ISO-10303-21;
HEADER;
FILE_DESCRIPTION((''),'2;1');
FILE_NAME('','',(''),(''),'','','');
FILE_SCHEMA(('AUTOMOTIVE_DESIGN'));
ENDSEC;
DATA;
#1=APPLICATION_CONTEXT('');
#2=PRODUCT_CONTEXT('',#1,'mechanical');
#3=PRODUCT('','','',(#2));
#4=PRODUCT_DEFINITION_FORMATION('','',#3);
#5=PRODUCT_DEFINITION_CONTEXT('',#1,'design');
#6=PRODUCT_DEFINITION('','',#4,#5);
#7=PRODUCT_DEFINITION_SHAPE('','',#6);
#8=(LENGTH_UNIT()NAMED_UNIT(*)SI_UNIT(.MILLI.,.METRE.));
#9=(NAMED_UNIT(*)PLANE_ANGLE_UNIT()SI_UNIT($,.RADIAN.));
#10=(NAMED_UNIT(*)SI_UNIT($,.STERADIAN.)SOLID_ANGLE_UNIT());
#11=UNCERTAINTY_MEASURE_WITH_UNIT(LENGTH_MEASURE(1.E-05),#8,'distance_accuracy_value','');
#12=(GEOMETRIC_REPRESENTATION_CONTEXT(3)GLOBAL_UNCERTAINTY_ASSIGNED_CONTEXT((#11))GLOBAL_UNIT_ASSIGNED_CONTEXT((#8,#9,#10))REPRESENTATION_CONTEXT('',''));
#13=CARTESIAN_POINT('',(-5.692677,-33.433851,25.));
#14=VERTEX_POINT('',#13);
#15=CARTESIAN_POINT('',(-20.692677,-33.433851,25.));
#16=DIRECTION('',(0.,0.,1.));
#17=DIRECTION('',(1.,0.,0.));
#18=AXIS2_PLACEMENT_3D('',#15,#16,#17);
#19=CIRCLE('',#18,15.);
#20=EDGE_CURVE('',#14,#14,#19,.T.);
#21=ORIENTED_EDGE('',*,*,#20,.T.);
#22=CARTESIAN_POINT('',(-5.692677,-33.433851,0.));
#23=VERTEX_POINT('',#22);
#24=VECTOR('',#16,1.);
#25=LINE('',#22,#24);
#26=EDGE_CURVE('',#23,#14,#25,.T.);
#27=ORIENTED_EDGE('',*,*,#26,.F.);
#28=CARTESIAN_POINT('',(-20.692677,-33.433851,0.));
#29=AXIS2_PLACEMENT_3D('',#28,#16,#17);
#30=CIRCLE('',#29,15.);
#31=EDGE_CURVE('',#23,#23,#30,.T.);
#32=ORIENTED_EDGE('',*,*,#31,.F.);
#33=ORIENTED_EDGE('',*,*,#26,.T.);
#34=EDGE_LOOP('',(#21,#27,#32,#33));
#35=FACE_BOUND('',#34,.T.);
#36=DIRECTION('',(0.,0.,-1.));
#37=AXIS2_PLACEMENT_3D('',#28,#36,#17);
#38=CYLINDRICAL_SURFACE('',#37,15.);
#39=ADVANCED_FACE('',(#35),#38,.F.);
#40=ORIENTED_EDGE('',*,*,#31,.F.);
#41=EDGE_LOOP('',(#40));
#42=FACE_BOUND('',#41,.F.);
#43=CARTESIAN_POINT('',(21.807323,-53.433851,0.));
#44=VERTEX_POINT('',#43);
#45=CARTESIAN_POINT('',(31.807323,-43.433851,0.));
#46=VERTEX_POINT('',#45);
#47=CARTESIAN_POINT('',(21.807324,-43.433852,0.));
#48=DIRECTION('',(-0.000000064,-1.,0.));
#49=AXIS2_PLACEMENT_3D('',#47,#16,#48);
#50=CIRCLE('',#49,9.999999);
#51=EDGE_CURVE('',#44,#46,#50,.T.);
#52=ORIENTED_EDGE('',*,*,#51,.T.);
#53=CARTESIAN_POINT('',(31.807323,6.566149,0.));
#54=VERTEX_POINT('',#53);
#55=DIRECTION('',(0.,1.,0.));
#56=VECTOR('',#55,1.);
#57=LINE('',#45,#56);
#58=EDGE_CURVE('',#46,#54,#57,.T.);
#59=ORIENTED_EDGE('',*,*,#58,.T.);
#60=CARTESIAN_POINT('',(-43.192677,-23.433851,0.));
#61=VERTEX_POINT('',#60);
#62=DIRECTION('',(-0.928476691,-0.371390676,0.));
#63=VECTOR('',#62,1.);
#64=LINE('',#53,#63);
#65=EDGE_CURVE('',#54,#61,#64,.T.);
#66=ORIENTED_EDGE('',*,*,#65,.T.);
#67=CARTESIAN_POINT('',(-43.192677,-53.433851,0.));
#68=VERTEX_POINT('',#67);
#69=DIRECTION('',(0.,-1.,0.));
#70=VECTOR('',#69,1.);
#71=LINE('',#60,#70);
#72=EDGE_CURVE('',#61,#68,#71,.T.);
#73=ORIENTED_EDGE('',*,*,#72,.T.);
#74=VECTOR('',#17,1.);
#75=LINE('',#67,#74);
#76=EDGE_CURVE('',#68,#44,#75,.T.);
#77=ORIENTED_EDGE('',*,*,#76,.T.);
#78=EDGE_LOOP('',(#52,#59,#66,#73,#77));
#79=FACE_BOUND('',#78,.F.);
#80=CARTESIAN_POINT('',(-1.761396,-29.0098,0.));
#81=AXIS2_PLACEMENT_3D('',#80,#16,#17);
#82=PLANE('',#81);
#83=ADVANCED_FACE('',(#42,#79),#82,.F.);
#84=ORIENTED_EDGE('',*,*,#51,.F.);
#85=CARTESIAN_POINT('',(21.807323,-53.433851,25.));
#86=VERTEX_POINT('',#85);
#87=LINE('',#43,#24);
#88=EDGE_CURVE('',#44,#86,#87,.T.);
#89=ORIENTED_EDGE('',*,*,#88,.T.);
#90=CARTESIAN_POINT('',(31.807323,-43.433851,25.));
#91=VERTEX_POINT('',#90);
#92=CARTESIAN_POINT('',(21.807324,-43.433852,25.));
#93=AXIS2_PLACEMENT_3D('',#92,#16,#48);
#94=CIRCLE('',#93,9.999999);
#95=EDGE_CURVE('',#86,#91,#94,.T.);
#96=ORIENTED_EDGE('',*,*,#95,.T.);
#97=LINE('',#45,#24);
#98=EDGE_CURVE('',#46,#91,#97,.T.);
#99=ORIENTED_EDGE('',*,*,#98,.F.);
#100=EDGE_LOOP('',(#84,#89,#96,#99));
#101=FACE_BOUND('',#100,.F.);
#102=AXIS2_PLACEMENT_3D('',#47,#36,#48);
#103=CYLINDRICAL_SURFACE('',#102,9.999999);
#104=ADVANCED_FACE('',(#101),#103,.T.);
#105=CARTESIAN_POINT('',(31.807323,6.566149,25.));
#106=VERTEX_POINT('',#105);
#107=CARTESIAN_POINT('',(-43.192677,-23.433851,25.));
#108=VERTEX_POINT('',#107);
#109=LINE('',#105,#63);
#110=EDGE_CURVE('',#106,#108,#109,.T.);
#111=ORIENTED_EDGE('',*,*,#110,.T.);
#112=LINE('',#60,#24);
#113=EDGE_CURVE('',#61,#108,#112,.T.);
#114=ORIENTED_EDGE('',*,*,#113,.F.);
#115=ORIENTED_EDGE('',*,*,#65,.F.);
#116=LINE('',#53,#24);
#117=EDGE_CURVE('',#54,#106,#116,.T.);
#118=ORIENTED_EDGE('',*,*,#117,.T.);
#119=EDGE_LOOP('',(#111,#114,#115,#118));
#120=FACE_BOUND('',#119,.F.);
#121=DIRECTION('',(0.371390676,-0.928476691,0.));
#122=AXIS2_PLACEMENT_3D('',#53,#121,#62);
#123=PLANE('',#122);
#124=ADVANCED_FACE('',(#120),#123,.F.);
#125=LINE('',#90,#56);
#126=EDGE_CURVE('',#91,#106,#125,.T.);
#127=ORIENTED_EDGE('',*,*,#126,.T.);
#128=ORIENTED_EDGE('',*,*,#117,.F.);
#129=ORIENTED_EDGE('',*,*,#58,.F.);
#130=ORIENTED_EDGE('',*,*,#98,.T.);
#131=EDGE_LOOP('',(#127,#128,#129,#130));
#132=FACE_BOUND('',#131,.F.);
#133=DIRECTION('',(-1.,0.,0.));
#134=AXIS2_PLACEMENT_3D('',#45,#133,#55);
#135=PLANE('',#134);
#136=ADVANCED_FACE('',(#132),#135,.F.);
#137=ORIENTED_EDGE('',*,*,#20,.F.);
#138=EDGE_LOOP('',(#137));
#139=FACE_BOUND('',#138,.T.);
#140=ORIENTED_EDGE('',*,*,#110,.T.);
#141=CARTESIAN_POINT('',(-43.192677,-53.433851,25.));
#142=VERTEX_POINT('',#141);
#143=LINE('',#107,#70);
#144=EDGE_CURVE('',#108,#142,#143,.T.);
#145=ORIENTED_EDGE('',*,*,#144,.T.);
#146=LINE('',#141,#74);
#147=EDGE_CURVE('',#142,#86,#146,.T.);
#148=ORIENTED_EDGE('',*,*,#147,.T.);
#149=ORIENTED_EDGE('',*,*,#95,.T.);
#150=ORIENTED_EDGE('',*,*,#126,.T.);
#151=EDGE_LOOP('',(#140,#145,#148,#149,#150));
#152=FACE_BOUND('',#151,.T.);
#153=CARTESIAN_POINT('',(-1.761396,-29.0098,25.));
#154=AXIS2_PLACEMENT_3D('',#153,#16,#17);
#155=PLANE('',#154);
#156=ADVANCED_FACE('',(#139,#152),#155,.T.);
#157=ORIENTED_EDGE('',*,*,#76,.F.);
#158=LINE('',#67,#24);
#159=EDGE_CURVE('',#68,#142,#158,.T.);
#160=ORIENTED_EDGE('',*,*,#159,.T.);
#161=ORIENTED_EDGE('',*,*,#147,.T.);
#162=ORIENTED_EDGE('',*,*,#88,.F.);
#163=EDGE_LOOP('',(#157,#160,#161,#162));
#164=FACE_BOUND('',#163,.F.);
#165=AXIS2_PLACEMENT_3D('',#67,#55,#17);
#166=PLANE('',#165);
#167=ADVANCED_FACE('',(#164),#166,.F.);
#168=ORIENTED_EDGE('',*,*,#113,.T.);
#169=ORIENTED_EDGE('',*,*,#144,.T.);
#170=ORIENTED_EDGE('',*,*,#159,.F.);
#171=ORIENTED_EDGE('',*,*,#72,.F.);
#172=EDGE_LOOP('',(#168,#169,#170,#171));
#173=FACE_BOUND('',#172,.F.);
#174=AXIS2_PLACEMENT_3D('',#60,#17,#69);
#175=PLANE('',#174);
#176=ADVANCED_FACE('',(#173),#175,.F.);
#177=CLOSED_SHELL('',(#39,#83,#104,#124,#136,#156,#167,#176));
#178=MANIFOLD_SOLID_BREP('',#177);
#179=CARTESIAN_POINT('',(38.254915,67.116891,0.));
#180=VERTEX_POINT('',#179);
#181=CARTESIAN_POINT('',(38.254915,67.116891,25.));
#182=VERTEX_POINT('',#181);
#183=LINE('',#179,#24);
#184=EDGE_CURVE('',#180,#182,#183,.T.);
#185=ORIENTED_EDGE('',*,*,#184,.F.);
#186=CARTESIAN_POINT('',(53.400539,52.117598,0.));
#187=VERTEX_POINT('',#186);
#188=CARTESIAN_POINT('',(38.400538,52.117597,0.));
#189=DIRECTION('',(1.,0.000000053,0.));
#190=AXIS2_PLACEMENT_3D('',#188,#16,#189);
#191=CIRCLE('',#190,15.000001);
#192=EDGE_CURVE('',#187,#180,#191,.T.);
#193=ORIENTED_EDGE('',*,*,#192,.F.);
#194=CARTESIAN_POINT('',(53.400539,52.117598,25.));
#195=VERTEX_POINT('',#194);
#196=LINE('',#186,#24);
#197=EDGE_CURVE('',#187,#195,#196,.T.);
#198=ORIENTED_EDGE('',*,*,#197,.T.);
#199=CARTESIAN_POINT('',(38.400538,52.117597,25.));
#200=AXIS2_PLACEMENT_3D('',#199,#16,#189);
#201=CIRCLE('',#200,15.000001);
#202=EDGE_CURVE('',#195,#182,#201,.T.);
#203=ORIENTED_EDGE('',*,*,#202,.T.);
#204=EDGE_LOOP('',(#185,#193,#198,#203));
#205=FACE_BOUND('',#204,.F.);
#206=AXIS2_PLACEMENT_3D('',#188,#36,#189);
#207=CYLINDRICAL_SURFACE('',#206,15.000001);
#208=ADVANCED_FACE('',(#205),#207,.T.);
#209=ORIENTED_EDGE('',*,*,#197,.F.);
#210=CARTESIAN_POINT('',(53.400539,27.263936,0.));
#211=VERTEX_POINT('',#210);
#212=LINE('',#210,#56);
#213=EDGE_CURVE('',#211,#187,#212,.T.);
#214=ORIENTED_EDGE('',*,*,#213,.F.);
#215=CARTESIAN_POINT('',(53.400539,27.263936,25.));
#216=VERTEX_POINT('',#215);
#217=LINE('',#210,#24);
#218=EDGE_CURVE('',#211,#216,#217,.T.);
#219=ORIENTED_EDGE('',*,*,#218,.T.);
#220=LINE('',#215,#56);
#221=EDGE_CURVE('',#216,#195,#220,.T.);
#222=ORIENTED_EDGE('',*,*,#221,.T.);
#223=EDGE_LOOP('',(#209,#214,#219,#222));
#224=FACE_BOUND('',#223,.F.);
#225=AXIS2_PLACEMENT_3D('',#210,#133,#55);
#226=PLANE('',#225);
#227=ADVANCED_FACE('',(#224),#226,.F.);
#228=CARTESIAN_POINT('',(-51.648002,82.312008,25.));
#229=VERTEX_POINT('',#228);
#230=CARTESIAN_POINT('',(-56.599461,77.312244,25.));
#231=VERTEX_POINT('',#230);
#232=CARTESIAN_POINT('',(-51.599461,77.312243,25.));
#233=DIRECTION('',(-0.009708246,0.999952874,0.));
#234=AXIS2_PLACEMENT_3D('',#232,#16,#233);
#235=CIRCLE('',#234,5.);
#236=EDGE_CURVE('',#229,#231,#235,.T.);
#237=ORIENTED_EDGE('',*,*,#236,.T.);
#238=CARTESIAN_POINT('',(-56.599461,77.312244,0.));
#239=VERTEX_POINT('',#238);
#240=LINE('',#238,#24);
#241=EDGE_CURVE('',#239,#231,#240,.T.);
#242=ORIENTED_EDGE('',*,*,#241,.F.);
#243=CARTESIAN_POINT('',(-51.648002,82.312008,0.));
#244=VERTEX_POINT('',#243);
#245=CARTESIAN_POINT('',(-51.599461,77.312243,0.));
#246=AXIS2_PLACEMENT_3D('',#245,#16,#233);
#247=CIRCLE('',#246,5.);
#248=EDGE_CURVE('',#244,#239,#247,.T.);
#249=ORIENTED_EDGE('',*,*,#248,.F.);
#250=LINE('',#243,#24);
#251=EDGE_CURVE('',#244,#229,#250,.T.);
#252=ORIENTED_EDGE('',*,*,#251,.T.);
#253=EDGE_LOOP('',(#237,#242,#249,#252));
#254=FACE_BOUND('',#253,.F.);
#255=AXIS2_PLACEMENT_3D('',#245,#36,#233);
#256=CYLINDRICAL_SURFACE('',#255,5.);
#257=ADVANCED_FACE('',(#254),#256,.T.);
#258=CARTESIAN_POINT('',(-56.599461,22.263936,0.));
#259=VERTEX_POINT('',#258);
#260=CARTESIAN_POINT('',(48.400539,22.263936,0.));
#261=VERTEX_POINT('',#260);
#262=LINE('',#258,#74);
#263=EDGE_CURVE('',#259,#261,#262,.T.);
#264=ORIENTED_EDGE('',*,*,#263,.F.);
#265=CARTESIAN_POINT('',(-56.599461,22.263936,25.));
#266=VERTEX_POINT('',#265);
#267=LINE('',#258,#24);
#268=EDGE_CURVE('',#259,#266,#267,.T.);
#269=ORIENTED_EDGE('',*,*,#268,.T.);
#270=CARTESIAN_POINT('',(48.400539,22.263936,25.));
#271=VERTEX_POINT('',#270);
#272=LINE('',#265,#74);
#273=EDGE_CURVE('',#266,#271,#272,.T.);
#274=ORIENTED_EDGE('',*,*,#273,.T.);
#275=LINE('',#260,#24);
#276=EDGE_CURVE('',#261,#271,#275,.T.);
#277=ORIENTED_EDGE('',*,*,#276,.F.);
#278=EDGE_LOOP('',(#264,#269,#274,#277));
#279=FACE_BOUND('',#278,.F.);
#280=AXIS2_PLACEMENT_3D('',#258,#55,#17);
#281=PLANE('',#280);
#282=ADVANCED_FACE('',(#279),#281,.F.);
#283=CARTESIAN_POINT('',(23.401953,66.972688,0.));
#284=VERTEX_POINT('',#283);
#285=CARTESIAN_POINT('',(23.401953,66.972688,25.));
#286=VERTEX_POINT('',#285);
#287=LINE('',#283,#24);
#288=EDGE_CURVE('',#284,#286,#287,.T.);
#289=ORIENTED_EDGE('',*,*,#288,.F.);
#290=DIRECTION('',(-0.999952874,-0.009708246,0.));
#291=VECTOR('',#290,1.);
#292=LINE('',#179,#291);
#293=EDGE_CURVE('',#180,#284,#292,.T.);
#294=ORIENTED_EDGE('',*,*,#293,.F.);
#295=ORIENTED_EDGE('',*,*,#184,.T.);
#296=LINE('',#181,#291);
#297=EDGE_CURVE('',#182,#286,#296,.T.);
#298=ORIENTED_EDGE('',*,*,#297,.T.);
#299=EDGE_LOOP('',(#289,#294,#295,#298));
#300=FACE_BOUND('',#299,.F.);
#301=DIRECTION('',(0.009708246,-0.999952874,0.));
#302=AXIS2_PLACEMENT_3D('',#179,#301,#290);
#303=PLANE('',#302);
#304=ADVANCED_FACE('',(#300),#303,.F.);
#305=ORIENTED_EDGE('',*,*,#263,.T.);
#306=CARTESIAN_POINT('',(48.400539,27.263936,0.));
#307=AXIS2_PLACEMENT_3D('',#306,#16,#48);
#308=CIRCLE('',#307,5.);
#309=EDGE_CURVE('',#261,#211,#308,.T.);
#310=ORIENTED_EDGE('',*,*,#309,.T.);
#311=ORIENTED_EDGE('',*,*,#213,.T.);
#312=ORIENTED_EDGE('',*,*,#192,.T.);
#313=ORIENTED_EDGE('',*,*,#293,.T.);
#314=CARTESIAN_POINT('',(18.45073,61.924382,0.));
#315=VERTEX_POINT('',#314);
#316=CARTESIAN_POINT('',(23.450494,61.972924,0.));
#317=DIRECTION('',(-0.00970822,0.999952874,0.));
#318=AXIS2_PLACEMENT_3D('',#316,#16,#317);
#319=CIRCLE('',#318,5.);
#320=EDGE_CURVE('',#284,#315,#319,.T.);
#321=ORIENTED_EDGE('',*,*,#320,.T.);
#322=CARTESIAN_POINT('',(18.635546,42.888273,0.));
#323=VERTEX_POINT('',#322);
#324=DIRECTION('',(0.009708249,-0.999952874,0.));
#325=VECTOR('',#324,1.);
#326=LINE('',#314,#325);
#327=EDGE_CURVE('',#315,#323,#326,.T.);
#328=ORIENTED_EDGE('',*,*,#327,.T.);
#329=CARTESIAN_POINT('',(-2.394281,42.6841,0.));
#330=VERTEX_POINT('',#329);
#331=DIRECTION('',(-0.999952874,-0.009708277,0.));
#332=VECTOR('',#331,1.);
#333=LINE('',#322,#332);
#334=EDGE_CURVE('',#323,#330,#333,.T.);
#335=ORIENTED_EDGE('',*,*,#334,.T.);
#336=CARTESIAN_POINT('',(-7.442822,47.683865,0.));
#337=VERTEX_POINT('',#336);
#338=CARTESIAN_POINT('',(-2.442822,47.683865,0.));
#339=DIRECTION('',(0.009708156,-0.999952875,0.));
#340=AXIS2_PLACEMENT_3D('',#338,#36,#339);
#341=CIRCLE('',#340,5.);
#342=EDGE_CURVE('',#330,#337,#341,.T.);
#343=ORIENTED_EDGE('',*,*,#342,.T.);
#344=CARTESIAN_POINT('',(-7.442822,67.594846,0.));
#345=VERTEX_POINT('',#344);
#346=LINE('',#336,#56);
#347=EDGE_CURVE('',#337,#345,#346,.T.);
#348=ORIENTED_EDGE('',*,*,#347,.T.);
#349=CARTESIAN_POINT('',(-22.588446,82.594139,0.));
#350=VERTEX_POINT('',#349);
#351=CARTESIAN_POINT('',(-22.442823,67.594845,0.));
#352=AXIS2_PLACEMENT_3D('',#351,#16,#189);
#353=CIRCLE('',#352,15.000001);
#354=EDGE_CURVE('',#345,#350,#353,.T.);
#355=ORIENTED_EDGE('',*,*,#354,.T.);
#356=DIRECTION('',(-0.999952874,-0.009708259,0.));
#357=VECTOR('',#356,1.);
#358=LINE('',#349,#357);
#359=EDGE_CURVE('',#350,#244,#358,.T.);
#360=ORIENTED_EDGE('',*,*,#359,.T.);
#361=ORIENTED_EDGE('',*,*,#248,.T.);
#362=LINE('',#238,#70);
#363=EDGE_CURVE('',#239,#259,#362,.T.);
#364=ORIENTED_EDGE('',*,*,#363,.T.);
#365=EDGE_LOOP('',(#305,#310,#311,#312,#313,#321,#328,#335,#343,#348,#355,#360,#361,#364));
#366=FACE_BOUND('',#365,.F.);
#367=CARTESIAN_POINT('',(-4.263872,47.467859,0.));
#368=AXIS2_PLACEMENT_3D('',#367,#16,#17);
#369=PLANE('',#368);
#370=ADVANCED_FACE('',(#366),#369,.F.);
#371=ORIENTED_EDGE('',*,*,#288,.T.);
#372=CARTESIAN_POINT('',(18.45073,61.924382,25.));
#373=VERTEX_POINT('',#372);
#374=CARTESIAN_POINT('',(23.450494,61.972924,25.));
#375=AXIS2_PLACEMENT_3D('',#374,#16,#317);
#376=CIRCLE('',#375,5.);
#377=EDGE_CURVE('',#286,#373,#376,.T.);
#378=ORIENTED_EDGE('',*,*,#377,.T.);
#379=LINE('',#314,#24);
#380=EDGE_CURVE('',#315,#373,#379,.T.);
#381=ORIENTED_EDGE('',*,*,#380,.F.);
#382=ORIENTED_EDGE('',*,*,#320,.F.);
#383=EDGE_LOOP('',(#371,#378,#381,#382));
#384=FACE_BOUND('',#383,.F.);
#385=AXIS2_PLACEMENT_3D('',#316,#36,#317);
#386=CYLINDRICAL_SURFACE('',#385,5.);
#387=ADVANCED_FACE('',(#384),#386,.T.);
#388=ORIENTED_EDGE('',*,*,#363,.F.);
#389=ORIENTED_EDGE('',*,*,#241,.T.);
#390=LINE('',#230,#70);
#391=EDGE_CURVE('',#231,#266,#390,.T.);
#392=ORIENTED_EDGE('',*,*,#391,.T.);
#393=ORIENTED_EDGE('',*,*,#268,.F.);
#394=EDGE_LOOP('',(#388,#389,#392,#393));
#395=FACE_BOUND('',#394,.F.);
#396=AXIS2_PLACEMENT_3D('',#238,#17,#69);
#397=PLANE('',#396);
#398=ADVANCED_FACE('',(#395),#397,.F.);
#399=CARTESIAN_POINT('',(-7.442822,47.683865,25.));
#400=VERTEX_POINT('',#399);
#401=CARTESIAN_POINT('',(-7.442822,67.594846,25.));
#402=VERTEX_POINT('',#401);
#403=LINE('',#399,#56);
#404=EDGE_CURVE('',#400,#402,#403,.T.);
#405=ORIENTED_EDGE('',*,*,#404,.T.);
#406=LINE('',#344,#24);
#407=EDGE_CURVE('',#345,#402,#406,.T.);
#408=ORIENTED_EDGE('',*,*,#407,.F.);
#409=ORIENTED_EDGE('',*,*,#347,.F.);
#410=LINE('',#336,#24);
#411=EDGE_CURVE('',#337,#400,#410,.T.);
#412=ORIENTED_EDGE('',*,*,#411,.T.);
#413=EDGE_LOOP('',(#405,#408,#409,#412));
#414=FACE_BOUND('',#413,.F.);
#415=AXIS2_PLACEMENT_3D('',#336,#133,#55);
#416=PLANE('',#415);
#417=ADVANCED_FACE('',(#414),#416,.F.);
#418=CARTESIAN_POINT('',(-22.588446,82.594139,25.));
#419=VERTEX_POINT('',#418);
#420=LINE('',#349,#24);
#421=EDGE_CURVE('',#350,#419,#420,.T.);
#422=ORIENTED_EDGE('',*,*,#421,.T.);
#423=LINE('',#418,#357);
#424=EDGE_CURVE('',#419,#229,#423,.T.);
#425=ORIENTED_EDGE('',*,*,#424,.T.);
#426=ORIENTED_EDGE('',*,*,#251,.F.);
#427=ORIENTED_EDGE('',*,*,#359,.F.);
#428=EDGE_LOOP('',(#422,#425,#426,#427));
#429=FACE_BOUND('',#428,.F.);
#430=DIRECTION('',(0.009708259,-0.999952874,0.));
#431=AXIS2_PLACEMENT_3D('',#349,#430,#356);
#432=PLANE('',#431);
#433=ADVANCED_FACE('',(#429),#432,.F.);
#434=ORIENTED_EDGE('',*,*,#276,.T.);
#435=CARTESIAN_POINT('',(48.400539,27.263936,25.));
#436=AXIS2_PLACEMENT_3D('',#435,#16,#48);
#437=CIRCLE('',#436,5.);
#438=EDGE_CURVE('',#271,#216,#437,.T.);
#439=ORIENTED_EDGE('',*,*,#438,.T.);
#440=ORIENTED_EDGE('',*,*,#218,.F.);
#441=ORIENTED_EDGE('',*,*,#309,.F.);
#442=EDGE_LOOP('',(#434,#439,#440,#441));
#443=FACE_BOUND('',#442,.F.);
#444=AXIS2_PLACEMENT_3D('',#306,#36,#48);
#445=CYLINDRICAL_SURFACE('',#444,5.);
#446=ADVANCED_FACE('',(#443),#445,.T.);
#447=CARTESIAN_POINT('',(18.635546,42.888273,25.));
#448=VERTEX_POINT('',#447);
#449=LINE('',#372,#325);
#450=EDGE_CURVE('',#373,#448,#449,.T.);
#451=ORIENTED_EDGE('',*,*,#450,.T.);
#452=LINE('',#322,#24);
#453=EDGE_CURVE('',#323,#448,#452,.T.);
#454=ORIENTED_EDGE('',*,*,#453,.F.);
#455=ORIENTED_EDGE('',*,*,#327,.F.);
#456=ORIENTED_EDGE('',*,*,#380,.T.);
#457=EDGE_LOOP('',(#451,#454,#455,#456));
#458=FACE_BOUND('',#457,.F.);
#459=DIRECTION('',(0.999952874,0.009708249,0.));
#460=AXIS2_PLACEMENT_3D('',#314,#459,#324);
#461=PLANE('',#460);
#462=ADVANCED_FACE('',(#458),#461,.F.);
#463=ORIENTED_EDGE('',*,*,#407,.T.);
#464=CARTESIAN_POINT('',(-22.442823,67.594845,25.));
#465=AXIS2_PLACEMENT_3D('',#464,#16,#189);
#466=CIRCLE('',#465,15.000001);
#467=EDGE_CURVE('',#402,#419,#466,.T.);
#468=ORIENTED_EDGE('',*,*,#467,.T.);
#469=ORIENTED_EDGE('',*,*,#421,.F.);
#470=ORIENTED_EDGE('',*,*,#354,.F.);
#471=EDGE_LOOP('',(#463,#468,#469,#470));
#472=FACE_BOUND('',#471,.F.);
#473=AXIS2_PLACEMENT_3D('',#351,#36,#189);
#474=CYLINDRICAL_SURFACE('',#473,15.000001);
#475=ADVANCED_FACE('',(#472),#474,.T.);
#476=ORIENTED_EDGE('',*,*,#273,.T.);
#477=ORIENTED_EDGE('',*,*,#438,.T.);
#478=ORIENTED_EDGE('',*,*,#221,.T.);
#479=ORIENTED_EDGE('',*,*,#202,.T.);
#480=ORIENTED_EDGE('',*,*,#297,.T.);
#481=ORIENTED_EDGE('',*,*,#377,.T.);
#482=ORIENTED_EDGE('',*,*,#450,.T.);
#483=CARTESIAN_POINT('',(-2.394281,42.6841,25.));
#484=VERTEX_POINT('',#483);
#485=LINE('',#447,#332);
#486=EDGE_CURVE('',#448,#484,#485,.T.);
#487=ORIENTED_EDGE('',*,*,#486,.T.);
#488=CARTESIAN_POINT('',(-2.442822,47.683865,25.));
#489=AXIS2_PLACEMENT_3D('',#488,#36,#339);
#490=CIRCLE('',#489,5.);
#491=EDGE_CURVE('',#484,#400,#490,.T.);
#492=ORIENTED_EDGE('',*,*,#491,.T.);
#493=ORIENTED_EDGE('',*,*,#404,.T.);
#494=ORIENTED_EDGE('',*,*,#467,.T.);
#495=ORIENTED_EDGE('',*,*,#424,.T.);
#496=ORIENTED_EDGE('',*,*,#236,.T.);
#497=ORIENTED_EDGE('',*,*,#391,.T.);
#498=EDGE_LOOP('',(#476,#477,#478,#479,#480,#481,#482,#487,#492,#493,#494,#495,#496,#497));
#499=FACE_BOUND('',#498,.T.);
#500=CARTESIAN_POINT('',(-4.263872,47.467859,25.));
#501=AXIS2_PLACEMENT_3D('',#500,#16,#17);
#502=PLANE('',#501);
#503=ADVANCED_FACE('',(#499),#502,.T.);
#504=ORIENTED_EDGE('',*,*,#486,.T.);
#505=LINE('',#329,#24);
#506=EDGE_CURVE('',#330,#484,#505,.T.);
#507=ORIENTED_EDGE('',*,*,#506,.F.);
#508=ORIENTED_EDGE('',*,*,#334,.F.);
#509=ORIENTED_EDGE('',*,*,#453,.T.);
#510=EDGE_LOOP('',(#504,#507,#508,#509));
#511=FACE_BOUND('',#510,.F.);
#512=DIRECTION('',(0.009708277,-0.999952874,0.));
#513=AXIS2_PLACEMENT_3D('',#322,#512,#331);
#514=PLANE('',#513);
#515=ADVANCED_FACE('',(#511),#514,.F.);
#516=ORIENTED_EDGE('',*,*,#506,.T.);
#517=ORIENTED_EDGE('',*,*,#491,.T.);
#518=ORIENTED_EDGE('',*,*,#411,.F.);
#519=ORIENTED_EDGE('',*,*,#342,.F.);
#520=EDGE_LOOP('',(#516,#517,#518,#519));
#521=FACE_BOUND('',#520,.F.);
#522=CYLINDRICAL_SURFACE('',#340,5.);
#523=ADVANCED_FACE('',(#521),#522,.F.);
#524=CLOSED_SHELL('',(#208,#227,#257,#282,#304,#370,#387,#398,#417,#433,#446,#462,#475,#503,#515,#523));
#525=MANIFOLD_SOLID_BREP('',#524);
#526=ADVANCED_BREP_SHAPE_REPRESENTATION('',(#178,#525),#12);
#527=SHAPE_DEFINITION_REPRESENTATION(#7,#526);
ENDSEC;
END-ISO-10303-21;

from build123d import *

# Parameters (mm, degrees)
F0_R     = 15
F1_DEPTH = 25


with BuildPart() as f1:
    # F0 (on Top) → F1 (new body)
    with BuildSketch(Plane.XY):
        with BuildLine():
            Line((-56.599461, 77.312244), (-56.599461, 22.263936))
            Line((-56.599461, 22.263936), (48.400539, 22.263936))
            ThreePointArc((48.400539, 22.263936), (51.936073, 23.728402), (53.400539, 27.263936))
            Line((53.400539, 27.263936), (53.400539, 52.117598))
            ThreePointArc((53.400539, 52.117598), (48.955529, 62.775561), (38.254915, 67.116891))
            Line((38.254915, 67.116891), (23.401953, 66.972688))
            ThreePointArc((23.401953, 66.972688), (19.880803, 65.473967), (18.45073, 61.924382))
            Line((18.45073, 61.924382), (18.635546, 42.888273))
            Line((18.635546, 42.888273), (-2.394281, 42.6841))
            ThreePointArc((-2.394281, 42.6841), (-5.961152, 44.13121), (-7.442822, 47.683865))
            Line((-7.442822, 47.683865), (-7.442822, 67.594846))
            ThreePointArc((-7.442822, 67.594846), (-11.887832, 78.252809), (-22.588446, 82.594139))
            Line((-22.588446, 82.594139), (-51.648002, 82.312008))
            ThreePointArc((-51.648002, 82.312008), (-55.152115, 80.830574), (-56.599461, 77.312244))
        make_face()
        with BuildLine():
            Line((31.807323, 6.566149), (-43.192677, -23.433851))
            Line((-43.192677, -23.433851), (-43.192677, -53.433851))
            Line((-43.192677, -53.433851), (21.807323, -53.433851))
            ThreePointArc((21.807323, -53.433851), (28.878391, -50.504919), (31.807323, -43.433851))
            Line((31.807323, -43.433851), (31.807323, 6.566149))
        make_face()
        with Locations((-20.692677, -33.433851)):
            Circle(F0_R, mode=Mode.SUBTRACT)
    extrude(amount=F1_DEPTH)


solid = f1.part
